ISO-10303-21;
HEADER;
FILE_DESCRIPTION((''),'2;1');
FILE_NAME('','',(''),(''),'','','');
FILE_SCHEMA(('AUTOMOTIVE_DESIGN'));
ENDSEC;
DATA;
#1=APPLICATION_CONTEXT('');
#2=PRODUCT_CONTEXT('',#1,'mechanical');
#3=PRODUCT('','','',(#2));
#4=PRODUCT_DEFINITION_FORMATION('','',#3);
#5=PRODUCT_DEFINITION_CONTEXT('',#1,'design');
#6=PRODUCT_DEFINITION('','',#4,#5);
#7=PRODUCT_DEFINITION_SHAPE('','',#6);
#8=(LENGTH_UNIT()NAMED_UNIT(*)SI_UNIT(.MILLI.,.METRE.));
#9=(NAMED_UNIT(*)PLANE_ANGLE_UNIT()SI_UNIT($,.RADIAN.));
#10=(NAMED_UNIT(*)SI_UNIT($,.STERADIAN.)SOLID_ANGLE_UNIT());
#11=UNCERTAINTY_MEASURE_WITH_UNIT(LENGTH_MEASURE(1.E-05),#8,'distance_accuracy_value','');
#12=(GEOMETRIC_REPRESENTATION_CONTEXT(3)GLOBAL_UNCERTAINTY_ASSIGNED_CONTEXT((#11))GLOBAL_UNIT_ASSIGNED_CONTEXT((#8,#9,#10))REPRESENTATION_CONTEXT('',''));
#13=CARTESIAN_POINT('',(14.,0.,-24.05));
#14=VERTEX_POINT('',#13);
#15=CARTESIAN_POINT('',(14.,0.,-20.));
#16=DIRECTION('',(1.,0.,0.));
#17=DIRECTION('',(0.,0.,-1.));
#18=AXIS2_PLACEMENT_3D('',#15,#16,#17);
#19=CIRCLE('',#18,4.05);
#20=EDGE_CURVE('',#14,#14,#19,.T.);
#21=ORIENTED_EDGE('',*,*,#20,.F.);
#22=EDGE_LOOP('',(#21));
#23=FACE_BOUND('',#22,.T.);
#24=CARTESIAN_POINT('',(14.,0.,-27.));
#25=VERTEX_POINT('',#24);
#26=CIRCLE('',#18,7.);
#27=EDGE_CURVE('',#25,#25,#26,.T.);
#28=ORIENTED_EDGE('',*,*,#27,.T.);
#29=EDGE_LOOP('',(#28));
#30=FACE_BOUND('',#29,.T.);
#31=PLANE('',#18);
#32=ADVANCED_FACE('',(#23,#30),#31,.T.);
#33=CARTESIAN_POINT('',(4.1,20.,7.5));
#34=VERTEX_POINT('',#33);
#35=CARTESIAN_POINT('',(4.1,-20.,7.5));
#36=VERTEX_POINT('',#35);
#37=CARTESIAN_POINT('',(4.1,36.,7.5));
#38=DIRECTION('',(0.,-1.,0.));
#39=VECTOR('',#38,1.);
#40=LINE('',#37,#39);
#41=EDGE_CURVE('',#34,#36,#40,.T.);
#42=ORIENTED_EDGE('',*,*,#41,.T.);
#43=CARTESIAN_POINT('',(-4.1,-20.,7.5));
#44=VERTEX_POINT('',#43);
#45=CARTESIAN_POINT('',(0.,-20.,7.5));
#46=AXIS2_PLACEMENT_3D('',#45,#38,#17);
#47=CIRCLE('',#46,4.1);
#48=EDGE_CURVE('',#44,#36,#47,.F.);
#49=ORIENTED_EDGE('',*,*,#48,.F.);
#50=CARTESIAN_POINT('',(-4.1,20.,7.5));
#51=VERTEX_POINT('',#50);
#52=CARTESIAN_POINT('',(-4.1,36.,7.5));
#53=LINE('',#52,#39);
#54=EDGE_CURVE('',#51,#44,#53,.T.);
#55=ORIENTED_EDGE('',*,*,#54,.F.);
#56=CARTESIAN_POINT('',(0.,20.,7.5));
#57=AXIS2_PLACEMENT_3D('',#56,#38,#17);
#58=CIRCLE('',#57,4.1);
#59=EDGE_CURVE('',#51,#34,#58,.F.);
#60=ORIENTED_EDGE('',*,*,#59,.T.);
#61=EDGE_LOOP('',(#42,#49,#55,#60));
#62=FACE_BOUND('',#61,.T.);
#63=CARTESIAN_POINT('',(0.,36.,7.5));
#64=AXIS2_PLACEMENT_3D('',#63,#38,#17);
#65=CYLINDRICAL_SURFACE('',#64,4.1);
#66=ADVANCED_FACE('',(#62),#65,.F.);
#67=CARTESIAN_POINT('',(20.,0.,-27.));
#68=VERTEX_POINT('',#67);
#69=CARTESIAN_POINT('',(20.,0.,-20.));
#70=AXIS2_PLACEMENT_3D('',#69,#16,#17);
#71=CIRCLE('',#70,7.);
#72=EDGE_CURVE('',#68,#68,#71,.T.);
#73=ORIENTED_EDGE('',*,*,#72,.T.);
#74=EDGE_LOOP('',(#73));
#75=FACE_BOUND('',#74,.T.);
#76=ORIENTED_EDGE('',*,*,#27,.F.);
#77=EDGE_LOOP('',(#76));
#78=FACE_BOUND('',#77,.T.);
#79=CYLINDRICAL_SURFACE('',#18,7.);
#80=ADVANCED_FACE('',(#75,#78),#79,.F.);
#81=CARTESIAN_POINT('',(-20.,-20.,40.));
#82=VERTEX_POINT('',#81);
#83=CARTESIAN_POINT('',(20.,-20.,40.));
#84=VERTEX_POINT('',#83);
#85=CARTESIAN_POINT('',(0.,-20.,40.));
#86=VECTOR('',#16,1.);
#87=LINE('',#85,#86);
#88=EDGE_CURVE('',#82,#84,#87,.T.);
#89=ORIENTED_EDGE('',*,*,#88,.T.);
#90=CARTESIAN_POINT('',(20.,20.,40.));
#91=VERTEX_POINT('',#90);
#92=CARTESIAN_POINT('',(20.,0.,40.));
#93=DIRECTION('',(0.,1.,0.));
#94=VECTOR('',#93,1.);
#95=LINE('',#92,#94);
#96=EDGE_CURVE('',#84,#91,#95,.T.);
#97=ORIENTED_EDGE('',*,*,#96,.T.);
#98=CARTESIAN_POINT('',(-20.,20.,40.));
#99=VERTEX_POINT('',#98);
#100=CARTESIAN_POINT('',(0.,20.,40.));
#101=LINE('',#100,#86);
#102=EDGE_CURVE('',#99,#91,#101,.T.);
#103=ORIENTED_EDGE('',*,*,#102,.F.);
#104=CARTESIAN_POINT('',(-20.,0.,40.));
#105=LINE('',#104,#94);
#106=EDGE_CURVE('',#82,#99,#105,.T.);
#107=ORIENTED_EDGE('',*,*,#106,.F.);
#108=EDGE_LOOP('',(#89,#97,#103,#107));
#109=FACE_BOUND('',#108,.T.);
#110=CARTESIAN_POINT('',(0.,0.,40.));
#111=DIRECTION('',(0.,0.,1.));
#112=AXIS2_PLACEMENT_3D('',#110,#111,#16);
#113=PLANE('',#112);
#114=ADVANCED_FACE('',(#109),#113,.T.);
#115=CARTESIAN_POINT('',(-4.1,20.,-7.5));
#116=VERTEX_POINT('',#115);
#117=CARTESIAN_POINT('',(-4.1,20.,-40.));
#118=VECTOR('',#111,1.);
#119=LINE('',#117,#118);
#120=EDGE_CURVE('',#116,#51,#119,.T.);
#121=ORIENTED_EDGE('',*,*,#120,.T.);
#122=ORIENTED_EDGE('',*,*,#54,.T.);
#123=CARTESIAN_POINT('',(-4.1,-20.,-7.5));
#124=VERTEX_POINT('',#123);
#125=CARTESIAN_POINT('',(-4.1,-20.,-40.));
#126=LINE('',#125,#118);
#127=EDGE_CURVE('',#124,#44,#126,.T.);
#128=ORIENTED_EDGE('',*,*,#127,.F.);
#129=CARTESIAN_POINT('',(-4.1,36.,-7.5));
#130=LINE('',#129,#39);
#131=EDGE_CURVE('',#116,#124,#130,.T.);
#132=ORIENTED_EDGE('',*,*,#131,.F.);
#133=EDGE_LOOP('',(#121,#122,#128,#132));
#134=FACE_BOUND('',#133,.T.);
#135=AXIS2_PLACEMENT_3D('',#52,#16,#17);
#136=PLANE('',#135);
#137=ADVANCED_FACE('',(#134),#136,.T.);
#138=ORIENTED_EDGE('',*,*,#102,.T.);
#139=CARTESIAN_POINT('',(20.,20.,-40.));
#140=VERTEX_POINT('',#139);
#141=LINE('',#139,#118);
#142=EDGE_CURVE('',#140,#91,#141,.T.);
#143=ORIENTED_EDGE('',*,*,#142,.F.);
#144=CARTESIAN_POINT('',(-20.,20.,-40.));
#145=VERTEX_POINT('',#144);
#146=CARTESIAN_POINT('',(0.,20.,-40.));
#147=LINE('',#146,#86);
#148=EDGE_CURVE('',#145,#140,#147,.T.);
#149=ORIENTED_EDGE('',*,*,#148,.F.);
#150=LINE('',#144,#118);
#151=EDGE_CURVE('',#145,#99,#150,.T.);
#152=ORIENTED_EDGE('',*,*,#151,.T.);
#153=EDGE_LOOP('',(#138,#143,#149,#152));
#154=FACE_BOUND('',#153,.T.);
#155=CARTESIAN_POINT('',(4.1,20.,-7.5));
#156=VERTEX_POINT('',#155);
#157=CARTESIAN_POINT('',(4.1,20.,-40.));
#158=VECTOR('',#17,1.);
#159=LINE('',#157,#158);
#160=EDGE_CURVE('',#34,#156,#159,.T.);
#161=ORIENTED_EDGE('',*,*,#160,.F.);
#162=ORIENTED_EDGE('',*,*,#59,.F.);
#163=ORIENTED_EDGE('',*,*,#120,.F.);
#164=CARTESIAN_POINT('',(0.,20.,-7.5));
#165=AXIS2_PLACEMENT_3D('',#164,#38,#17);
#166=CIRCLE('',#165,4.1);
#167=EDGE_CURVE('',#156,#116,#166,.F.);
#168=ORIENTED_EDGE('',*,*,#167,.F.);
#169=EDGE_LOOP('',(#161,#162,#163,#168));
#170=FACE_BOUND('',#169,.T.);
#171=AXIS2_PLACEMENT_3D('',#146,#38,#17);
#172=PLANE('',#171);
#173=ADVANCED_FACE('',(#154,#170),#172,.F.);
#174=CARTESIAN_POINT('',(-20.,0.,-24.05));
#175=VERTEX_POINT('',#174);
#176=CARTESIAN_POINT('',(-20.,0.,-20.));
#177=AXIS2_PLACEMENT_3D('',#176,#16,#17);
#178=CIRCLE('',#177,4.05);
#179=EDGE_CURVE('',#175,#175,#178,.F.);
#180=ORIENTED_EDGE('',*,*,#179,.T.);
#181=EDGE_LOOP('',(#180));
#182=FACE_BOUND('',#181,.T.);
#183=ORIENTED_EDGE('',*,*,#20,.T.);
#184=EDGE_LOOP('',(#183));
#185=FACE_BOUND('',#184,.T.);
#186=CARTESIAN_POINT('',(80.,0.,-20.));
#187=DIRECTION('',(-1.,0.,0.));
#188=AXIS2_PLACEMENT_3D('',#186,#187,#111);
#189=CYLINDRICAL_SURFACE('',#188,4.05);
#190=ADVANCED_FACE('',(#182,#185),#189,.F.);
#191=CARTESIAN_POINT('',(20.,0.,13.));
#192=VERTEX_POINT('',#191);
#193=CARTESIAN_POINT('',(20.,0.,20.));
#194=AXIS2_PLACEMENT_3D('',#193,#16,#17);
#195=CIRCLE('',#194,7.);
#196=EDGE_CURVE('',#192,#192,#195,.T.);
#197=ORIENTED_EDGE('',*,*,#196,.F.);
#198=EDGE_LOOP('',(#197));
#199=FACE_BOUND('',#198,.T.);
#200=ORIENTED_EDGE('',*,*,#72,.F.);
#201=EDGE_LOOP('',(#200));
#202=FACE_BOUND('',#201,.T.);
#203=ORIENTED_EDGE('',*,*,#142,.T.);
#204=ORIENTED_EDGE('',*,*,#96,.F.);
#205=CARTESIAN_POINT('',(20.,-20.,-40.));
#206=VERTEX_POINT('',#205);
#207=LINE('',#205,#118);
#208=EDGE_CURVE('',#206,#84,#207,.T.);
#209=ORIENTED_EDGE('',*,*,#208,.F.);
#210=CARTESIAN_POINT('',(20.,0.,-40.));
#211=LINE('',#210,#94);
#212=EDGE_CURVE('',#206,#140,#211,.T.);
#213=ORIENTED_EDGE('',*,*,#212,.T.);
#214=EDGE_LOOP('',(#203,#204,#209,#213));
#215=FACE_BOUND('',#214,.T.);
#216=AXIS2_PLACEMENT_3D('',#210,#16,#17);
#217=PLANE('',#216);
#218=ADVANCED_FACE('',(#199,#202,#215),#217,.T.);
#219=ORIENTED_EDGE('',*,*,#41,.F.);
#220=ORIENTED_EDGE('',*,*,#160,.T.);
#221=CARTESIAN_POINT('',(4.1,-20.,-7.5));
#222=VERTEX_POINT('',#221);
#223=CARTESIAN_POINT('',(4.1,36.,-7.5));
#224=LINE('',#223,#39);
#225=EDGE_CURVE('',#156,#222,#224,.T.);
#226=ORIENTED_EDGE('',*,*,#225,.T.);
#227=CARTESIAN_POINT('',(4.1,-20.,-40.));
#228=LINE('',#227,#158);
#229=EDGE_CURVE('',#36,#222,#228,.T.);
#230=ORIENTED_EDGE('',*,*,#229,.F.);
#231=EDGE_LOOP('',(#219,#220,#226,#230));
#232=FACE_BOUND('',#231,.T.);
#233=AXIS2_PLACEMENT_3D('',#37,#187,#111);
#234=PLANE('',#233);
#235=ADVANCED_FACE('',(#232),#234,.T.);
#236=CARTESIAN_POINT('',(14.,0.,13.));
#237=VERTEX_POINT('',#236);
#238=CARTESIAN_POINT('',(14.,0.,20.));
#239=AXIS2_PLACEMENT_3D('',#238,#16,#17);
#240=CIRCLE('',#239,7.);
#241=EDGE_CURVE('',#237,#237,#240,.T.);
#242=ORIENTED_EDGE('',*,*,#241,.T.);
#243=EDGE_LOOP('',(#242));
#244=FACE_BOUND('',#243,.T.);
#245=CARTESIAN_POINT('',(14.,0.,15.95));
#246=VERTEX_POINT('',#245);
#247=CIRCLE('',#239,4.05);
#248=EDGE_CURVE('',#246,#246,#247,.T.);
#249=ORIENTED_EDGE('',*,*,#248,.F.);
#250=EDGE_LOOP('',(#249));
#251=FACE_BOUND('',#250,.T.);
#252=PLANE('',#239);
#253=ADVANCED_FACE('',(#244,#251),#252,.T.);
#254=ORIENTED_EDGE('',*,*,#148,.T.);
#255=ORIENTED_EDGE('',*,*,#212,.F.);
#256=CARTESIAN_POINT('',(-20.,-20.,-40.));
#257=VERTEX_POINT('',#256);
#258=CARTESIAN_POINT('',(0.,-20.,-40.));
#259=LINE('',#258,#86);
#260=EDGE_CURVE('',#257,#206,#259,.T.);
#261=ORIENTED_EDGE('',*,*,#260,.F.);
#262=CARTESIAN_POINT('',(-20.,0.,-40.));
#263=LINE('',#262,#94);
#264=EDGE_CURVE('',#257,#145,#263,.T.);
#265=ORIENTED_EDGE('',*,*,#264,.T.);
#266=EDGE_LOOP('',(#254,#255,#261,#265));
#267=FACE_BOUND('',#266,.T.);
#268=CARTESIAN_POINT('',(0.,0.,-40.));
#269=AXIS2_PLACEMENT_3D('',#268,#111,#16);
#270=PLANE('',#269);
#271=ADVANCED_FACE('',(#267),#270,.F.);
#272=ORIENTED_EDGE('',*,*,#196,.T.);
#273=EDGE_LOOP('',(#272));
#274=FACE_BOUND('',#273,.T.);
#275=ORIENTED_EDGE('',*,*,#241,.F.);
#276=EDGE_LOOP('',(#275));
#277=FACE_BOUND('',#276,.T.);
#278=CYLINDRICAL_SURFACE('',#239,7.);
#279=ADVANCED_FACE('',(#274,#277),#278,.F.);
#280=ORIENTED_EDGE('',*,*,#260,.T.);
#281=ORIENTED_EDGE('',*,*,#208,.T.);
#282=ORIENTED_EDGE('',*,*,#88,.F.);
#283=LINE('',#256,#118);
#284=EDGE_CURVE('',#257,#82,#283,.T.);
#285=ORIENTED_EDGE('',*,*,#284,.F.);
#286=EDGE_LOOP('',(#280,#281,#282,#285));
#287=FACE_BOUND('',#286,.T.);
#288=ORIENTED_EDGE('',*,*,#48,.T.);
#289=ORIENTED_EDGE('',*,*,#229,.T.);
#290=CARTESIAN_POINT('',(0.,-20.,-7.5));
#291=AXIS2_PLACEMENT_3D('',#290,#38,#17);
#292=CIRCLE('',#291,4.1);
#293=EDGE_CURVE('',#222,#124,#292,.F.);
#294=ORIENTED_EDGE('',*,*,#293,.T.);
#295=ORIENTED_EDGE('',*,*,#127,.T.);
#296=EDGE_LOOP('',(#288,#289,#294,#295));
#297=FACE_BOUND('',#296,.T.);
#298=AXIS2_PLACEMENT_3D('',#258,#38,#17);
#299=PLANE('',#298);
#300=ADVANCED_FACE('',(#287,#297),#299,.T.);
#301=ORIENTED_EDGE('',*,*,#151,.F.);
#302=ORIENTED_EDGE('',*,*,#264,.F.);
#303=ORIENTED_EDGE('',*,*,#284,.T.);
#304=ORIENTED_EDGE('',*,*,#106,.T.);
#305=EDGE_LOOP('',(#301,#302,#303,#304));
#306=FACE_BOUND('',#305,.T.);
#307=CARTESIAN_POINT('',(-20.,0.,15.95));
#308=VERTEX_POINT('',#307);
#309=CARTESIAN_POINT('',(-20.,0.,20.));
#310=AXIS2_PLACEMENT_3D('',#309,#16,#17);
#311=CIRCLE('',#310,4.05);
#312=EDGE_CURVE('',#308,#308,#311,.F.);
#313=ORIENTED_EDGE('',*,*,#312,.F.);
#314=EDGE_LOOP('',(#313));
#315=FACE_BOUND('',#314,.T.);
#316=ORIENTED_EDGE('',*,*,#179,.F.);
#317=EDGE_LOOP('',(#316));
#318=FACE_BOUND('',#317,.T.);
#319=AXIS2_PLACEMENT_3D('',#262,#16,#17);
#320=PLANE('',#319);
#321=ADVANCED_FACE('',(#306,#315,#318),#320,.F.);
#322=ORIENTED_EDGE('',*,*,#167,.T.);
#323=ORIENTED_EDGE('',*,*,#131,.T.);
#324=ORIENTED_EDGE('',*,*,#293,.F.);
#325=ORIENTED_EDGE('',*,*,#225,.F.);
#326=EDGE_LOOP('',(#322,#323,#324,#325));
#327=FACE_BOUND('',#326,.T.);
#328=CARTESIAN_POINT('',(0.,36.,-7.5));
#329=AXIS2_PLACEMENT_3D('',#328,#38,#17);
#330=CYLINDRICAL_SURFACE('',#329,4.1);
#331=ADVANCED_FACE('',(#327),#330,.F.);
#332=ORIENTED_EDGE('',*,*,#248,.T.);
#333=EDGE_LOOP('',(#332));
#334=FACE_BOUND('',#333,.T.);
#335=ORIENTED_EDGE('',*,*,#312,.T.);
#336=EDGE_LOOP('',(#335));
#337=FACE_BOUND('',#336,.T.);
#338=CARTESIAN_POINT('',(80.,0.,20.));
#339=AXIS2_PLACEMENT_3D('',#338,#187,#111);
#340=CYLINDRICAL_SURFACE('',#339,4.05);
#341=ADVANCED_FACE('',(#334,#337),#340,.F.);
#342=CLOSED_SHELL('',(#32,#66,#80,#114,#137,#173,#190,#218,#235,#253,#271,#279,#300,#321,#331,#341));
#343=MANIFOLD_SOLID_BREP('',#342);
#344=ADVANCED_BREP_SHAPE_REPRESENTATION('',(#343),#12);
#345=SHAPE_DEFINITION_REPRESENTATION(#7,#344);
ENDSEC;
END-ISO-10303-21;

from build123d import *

# Parameters (mm, degrees)
BOSS_EXTRUDE1_DEPTH      = 40
BOSS_EXTRUDE1_DEPTH_BACK = 40
SKETCH1_W                = 40
SKETCH1_H                = 40
CUT_EXTRUDE1_DEPTH       = 80
CUT_EXTRUDE1_DEPTH_BACK  = 80
SKETCH2_R                = 4.05
CUT_EXTRUDE2_START       = 20
SKETCH3_R                = 7
CUT_EXTRUDE2_DEPTH       = 6
CUT_EXTRUDE3_DEPTH       = 36
CUT_EXTRUDE3_DEPTH_BACK  = 36


with BuildPart() as part:
    # Sketch1 → Boss-Extrude1 (new, two sides: drawn at the far end of the back side and taken through both)
    with BuildSketch(Plane.XY.offset(-BOSS_EXTRUDE1_DEPTH_BACK)):
        Rectangle(SKETCH1_W, SKETCH1_H)
    extrude(amount=BOSS_EXTRUDE1_DEPTH + BOSS_EXTRUDE1_DEPTH_BACK)

    # Sketch2 → Cut-Extrude1 (cut, two sides: drawn at the far end of the back side and taken through both)
    with BuildSketch(Plane(origin=(0, 0, 0), x_dir=(0, 0, -1), z_dir=(1, 0, 0)).offset(-CUT_EXTRUDE1_DEPTH_BACK)):
        with Locations((-20, 0)):
            Circle(SKETCH2_R)
        with Locations((20, 0)):
            Circle(SKETCH2_R)
    extrude(amount=CUT_EXTRUDE1_DEPTH + CUT_EXTRUDE1_DEPTH_BACK, mode=Mode.SUBTRACT)

    # Sketch3 → Cut-Extrude2 (cut)
    with BuildSketch(Plane(origin=(0, 0, 0), x_dir=(0, 0, -1), z_dir=(1, 0, 0)).offset(CUT_EXTRUDE2_START)):
        with Locations((-20, 0)):
            Circle(SKETCH3_R)
        with Locations((20, 0)):
            Circle(SKETCH3_R)
    extrude(amount=-CUT_EXTRUDE2_DEPTH, mode=Mode.SUBTRACT)

    # Sketch4 → Cut-Extrude3 (cut, two sides: drawn at the far end of the back side and taken through both)
    with BuildSketch(Plane(origin=(0, 0, 0), x_dir=(1, 0, 0), z_dir=(0, 1, 0)).offset(-CUT_EXTRUDE3_DEPTH_BACK)):
        with BuildLine():
            Line((-4.1, -7.5), (-4.1, 7.5))
            ThreePointArc((-4.1, 7.5), (0, 11.6), (4.1, 7.5))
            Line((4.1, 7.5), (4.1, -7.5))
            ThreePointArc((4.1, -7.5), (0, -11.6), (-4.1, -7.5))
        make_face()
    extrude(amount=CUT_EXTRUDE3_DEPTH + CUT_EXTRUDE3_DEPTH_BACK, mode=Mode.SUBTRACT)


solid = part.part
